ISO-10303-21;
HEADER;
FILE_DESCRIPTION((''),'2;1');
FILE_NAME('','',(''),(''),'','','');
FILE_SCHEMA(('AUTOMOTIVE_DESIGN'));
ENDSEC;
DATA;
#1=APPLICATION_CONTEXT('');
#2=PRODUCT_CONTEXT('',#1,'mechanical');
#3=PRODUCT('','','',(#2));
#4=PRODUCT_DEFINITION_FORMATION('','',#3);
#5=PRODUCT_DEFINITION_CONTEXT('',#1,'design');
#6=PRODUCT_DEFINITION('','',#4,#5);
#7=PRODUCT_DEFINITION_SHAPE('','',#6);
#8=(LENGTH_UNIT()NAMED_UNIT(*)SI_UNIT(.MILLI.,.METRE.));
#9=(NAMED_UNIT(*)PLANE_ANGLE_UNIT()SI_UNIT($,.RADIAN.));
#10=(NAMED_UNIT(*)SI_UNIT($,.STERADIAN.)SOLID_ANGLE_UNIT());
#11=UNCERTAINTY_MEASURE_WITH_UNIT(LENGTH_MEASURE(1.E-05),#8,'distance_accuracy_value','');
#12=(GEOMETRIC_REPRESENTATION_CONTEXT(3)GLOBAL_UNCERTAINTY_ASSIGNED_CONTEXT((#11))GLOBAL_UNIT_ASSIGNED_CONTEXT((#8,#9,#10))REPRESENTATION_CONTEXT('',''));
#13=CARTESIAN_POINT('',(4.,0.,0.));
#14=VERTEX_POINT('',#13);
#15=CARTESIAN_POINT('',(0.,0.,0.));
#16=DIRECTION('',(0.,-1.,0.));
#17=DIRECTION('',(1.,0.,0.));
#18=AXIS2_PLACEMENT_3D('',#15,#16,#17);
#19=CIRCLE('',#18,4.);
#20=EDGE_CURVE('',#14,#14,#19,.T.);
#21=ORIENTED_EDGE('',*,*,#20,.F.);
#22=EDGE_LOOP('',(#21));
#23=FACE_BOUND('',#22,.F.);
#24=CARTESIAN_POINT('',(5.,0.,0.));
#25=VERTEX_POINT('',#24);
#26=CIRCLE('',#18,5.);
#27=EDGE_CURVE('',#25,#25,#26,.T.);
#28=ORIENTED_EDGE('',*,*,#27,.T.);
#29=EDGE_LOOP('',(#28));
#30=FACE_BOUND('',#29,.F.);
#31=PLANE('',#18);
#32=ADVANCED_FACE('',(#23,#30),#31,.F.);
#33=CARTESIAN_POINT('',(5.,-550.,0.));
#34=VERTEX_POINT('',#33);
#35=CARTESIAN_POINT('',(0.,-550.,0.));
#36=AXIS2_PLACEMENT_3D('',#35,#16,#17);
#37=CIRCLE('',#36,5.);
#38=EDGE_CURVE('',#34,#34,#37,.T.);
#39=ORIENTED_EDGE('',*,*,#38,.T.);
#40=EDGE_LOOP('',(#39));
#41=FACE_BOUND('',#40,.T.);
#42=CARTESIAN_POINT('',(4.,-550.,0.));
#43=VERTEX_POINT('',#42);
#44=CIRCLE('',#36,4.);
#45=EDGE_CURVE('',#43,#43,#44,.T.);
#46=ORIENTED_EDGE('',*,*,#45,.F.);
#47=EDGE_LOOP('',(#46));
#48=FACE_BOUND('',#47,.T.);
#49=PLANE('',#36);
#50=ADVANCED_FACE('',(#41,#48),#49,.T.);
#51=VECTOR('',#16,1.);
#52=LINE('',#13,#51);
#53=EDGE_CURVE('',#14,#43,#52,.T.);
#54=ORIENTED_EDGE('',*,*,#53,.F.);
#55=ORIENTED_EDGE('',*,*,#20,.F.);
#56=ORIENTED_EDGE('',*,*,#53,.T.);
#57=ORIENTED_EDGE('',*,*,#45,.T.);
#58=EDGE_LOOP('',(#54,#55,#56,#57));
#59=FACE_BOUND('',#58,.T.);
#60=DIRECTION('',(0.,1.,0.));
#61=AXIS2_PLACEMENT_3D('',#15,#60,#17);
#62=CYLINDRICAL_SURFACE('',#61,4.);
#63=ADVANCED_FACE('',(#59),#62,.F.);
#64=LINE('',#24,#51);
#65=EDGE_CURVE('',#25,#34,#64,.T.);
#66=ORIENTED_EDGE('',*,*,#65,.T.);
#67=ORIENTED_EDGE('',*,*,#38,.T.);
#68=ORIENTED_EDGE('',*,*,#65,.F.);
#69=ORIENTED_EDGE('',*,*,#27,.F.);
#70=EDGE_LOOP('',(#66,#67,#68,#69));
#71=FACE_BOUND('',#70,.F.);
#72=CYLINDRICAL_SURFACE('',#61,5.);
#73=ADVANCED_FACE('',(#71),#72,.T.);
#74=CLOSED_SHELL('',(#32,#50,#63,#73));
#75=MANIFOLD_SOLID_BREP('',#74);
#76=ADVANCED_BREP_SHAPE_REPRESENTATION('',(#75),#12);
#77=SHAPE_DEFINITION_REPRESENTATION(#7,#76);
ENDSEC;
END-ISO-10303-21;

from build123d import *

# Parameters (mm, degrees)
SKETCH_R   = 5
SKETCH_R_2 = 4
PAD_DEPTH  = 550


with BuildPart() as part:
    # Sketch → Pad (new body)
    with BuildSketch(Plane.XZ):
        Circle(SKETCH_R)
        Circle(SKETCH_R_2, mode=Mode.SUBTRACT)
    extrude(amount=PAD_DEPTH)


solid = part.part
